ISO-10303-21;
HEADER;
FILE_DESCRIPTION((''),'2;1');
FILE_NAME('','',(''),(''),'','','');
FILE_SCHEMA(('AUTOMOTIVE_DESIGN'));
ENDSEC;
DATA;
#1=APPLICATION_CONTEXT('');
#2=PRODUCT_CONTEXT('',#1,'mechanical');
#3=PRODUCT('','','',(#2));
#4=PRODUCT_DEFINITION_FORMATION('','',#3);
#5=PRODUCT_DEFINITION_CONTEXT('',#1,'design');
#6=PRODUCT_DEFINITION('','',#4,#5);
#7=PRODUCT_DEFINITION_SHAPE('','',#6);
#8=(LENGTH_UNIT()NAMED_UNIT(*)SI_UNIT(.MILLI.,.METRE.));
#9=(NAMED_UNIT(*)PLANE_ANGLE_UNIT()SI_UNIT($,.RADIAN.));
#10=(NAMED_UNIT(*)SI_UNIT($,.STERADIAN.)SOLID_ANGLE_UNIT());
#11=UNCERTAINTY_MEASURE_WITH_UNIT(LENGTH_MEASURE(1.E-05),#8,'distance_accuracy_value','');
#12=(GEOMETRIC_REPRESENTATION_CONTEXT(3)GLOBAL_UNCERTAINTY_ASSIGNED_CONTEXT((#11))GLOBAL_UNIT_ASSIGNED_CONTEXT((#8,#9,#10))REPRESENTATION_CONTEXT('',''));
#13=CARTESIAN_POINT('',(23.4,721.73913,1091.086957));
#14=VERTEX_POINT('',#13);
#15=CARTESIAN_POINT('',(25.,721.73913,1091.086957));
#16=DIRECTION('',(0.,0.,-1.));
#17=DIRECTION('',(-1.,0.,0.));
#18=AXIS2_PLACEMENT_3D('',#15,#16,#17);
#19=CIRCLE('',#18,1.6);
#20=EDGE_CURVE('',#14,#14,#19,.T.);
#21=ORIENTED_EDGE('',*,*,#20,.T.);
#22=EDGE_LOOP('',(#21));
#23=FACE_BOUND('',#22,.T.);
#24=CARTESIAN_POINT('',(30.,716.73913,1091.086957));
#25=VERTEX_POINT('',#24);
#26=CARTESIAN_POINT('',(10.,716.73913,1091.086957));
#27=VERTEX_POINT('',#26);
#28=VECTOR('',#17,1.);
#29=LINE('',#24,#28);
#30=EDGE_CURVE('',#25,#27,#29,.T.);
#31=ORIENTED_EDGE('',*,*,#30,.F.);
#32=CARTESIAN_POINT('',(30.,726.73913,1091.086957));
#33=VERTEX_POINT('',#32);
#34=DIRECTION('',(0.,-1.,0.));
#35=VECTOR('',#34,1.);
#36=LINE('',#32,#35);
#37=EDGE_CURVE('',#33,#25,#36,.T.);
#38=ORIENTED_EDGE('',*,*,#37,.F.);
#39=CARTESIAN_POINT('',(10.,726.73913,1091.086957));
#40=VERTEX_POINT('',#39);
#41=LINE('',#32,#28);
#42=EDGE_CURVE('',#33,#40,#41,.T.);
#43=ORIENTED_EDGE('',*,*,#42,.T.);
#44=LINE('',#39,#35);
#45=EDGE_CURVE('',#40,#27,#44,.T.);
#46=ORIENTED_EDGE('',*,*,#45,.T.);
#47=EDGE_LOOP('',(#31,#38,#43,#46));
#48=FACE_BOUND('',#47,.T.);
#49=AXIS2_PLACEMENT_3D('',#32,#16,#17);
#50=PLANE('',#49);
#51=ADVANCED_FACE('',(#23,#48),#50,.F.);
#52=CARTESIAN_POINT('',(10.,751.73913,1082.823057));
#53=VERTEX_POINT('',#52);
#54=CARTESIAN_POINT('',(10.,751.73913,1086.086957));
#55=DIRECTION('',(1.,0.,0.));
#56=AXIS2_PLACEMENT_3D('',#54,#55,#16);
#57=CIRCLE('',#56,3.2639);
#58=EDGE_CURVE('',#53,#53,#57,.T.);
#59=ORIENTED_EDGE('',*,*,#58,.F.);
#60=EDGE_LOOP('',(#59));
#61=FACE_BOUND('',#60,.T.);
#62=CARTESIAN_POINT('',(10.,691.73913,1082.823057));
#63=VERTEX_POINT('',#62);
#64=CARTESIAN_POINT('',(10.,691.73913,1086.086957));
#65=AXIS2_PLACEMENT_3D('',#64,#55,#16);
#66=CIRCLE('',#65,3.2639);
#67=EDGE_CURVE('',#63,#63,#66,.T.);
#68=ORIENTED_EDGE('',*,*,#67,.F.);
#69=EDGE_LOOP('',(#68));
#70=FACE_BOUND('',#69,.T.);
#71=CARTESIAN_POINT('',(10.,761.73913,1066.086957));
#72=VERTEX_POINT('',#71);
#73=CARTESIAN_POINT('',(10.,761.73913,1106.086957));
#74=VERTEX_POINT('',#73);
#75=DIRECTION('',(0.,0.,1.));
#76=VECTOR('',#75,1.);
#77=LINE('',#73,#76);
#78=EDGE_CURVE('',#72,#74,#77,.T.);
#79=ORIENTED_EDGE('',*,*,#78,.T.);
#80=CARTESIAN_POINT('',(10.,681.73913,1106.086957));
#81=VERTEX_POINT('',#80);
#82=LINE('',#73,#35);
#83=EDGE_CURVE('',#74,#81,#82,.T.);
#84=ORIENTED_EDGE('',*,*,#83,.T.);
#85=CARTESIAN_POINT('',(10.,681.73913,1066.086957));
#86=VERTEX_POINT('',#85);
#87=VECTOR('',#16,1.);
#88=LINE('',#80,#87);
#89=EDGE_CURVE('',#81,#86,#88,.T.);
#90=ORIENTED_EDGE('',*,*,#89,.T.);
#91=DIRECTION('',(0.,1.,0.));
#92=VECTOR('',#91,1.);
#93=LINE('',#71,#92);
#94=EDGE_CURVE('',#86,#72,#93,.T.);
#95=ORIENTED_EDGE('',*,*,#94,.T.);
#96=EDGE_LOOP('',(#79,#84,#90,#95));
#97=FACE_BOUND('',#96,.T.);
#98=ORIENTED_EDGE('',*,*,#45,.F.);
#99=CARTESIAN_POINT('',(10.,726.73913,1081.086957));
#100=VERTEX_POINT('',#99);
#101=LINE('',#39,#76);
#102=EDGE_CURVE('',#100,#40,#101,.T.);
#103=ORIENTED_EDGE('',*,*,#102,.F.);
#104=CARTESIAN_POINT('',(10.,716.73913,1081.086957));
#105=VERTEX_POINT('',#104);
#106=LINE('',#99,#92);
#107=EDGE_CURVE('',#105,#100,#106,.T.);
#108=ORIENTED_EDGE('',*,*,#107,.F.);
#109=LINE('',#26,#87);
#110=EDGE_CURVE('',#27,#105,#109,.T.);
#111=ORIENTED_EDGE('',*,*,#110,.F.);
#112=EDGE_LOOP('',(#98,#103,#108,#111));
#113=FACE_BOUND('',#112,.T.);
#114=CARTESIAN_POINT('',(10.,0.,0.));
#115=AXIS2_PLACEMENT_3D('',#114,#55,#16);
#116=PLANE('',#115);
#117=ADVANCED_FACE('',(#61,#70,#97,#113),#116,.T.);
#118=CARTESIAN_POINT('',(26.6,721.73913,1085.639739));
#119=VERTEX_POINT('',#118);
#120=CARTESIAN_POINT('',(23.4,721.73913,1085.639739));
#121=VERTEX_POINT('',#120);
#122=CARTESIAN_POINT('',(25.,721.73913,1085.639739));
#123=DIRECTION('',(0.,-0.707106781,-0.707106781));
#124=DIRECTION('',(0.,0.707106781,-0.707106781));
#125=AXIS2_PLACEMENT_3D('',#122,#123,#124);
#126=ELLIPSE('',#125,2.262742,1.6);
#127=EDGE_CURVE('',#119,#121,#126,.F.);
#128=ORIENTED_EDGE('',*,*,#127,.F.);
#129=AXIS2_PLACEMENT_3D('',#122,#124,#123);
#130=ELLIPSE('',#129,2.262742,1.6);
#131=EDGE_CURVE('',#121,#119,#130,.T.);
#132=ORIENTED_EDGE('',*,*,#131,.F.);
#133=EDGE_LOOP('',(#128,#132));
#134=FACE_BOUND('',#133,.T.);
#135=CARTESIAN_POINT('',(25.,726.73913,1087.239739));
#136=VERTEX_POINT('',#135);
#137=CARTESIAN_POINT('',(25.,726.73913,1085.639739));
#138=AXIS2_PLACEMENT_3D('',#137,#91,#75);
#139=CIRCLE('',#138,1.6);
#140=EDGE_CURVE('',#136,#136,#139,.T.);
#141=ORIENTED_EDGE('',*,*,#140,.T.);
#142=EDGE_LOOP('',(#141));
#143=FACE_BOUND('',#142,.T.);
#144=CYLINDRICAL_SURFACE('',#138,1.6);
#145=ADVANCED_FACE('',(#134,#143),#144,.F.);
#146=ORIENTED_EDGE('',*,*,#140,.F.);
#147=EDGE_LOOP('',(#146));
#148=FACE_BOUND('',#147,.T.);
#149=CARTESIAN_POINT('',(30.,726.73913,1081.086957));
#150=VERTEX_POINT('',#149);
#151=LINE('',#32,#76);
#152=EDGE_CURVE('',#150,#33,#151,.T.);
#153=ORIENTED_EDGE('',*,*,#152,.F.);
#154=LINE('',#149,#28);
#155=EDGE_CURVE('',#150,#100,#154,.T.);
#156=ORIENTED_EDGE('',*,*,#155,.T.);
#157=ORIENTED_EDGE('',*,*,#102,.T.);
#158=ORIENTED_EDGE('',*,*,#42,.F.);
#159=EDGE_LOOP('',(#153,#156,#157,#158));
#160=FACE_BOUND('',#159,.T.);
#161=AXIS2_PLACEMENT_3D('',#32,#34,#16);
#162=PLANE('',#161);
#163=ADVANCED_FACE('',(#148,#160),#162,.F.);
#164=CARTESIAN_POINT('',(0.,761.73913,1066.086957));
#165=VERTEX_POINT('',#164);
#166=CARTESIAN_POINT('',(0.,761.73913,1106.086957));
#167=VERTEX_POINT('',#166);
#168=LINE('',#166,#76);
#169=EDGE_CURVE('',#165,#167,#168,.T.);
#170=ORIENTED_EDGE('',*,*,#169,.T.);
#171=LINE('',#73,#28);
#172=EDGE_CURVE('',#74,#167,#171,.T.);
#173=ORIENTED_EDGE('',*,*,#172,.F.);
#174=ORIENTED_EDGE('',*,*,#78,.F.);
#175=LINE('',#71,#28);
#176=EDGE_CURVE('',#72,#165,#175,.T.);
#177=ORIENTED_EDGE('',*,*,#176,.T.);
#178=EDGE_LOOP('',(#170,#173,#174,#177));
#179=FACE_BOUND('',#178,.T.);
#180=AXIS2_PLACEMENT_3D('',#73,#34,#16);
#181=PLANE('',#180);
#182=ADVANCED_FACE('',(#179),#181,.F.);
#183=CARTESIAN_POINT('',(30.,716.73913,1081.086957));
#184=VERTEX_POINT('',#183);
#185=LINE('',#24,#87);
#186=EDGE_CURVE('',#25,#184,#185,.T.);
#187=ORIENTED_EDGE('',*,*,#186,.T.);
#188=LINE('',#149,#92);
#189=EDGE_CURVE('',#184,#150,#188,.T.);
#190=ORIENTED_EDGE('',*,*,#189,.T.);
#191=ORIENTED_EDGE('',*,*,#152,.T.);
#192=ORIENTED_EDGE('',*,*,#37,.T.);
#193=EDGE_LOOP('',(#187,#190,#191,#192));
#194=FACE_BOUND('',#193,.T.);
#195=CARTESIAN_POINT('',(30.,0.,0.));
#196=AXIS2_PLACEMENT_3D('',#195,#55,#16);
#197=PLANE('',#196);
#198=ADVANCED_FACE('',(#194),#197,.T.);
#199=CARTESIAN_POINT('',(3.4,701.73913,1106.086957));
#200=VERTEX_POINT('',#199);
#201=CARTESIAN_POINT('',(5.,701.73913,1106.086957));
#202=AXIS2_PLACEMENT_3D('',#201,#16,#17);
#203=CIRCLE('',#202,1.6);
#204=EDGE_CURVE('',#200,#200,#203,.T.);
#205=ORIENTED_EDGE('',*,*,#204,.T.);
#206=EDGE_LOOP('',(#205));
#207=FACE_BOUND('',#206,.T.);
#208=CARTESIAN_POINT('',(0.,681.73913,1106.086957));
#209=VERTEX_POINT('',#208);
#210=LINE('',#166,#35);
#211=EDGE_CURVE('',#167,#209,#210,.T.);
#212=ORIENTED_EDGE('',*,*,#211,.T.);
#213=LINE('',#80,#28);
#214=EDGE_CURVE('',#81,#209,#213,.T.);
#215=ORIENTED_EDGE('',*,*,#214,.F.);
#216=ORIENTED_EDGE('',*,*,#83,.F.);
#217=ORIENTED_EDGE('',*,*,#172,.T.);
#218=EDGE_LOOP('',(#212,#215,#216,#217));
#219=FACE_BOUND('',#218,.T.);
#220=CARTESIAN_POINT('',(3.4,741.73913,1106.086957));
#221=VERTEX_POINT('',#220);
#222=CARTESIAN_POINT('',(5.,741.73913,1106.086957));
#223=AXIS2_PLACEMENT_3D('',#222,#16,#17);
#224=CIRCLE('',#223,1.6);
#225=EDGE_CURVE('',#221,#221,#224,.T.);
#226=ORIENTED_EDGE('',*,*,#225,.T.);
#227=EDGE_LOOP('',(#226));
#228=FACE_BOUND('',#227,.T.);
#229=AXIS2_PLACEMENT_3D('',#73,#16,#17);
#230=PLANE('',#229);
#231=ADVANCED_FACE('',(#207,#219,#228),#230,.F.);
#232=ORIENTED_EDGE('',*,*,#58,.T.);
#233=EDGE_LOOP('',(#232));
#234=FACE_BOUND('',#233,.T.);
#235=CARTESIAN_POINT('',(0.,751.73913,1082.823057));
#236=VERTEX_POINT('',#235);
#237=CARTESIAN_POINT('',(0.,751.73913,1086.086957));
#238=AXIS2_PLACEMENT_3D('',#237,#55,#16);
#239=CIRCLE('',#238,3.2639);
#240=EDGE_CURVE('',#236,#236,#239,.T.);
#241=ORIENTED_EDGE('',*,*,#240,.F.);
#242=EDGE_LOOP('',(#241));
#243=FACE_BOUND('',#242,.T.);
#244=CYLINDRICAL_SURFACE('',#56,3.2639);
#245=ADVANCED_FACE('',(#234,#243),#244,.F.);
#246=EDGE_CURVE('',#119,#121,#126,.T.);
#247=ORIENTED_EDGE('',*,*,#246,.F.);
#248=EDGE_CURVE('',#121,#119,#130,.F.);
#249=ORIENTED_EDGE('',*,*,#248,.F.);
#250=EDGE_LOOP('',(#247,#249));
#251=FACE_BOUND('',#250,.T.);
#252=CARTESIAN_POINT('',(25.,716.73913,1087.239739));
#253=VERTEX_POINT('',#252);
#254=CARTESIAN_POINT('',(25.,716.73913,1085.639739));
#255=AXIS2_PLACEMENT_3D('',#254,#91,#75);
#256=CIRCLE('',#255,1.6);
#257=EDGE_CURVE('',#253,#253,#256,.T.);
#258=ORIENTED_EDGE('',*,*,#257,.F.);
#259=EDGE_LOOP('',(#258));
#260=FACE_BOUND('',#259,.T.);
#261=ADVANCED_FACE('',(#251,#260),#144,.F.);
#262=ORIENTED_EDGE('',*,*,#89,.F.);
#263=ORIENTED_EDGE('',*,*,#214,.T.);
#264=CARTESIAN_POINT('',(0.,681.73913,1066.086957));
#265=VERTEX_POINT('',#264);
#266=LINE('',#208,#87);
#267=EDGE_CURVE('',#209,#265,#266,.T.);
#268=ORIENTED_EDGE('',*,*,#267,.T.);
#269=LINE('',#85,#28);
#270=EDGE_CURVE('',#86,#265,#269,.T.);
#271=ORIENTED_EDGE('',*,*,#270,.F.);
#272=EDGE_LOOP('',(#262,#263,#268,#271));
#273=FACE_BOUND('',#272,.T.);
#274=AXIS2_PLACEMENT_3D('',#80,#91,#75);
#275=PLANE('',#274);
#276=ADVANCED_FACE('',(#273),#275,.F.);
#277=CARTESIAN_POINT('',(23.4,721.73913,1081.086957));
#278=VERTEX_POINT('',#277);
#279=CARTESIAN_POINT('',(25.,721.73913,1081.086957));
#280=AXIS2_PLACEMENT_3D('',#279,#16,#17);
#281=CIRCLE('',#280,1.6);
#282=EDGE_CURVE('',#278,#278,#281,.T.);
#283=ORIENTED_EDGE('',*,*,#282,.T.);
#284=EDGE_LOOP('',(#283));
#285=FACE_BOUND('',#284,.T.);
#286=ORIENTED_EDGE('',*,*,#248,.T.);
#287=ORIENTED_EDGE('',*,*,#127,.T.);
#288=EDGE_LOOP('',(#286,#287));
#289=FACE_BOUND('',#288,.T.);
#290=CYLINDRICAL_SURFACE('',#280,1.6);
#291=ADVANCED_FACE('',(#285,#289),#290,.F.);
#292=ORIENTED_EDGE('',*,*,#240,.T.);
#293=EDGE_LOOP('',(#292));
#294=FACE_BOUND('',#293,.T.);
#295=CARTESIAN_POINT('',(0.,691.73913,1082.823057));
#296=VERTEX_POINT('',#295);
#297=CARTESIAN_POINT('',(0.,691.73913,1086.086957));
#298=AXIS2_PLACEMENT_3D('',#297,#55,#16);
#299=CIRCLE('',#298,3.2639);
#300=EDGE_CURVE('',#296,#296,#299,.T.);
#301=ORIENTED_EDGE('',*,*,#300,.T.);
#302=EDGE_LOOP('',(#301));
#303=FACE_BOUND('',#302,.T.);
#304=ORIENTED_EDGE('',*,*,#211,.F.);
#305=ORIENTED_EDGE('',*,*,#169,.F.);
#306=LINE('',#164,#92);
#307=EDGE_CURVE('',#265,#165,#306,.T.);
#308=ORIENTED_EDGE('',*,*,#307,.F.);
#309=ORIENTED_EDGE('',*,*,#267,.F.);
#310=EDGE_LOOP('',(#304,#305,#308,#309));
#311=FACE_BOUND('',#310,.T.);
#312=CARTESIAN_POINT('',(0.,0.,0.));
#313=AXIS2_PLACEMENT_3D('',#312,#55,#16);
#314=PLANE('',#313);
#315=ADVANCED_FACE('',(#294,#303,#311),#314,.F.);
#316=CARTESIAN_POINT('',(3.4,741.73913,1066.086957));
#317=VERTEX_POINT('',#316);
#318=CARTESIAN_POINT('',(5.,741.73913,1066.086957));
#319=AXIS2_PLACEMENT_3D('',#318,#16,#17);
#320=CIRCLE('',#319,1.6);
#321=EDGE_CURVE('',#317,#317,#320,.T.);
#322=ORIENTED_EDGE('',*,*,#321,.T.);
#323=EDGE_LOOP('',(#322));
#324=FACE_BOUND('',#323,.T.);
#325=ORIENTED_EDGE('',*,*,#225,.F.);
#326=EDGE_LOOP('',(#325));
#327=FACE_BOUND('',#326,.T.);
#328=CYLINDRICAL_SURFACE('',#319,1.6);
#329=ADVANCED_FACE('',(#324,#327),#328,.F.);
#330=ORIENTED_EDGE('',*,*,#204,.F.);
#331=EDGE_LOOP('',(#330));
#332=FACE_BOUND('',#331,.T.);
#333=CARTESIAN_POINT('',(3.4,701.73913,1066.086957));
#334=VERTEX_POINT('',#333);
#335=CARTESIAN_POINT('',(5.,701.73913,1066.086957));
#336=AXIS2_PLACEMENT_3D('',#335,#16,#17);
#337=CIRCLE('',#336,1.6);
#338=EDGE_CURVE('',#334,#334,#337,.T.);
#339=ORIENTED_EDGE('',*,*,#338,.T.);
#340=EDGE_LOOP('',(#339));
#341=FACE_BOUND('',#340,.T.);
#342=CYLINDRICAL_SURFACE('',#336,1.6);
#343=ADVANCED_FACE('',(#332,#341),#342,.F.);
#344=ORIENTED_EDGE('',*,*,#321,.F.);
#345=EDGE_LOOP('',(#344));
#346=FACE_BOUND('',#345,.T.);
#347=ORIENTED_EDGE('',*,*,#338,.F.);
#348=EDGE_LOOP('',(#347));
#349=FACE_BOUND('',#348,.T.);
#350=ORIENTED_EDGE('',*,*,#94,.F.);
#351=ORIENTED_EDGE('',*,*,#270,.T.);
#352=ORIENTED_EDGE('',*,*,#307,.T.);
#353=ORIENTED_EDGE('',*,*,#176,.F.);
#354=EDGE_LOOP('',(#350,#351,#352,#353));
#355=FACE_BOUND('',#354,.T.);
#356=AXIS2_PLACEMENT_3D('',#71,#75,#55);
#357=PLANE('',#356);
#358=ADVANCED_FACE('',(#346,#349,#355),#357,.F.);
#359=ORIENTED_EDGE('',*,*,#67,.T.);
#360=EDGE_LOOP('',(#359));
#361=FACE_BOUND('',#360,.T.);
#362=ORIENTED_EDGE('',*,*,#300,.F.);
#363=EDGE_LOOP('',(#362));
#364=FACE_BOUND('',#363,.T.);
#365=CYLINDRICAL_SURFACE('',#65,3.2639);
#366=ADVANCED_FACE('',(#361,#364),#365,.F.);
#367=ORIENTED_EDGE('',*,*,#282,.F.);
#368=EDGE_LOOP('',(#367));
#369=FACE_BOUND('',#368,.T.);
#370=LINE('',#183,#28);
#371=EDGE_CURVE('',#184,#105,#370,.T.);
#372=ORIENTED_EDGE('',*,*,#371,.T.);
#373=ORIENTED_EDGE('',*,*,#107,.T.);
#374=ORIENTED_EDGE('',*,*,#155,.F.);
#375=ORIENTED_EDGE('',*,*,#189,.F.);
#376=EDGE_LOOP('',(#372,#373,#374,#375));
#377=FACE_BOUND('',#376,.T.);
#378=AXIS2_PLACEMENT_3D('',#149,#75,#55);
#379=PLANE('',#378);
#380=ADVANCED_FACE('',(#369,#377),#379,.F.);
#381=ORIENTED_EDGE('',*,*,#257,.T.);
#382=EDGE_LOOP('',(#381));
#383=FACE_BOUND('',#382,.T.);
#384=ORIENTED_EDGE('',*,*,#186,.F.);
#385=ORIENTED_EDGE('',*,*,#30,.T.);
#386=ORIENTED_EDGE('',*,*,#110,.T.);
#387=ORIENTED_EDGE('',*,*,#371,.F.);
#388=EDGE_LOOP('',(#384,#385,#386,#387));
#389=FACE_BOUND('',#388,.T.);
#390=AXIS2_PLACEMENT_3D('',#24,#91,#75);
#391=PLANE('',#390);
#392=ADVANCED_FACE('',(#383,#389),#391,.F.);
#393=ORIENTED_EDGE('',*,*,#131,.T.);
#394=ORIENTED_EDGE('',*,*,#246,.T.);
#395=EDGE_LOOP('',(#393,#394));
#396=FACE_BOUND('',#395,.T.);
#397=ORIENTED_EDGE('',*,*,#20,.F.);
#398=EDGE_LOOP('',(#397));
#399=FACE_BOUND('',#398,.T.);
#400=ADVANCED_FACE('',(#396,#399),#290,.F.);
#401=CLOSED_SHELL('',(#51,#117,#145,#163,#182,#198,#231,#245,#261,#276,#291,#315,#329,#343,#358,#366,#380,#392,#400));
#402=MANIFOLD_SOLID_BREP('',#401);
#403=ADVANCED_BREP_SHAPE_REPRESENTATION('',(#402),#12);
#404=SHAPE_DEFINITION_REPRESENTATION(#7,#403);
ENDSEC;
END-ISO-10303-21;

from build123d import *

# Parameters (mm, degrees)
SKETCH1_W                      = 40
SKETCH1_H                      = 80
BOSS_EXTRUDE1_DEPTH            = 10
SKETCH2_W                      = 10
SKETCH2_H                      = 10
BOSS_EXTRUDE2_DEPTH            = 20
F_1_4_CLEARANCE_HOLE1_D        = 6.5278
F_1_4_CLEARANCE_HOLE1_DEPTH    = 21
F_1_4_CLEARANCE_HOLE1_TIP      = 1.961148974
M3_CLEARANCE_HOLE3_D           = 3.2
M3_CLEARANCE_HOLE4_D           = 3.2
M3_CLEARANCE_HOLE4_ON_FACE_2_D = 3.2


with BuildPart() as part:
    # Sketch1 → Boss-Extrude1 (new body)
    with BuildSketch(Plane(origin=(0, 0, 0), x_dir=(0, 0, -1), z_dir=(1, 0, 0))):
        with Locations((-1086.086956522, 721.739130435)):
            Rectangle(SKETCH1_W, SKETCH1_H)
    extrude(amount=BOSS_EXTRUDE1_DEPTH)

    # Sketch2 → Boss-Extrude2 (add)
    with BuildSketch(Plane(origin=(10, 0, 0), x_dir=(0, 0, -1), z_dir=(1, 0, 0))):
        with Locations((-1086.086956522, 721.739130435)):
            Rectangle(SKETCH2_W, SKETCH2_H)
    extrude(amount=BOSS_EXTRUDE2_DEPTH)

    # 1/4 Clearance Hole1
    with Locations(Plane(origin=(10, 751.739130435, 1086.086956522), x_dir=(0, 0, 1), z_dir=(1, 0, 0))):
        with Locations((0, 0), (0, 60)):
            Hole(F_1_4_CLEARANCE_HOLE1_D / 2, depth=F_1_4_CLEARANCE_HOLE1_DEPTH)
            with Locations((0, 0, -(F_1_4_CLEARANCE_HOLE1_DEPTH + F_1_4_CLEARANCE_HOLE1_TIP / 2))):  # 118° drill point
                Cone(0, F_1_4_CLEARANCE_HOLE1_D / 2, F_1_4_CLEARANCE_HOLE1_TIP, mode=Mode.SUBTRACT)

    # M3 Clearance Hole3 (through all)
    with Locations(Plane(origin=(5, 701.739130435, 1066.086956522), x_dir=(-1, 0, 0), z_dir=(0, 0, -1))):
        with Locations((0, 0), (0, 40)):
            Hole(M3_CLEARANCE_HOLE3_D / 2)

    # M3 Clearance Hole4 (through all)
    with Locations(Plane(origin=(25, 726.739130435, 1085.639739232), x_dir=(0, 0, 1), z_dir=(0, 1, 0))):
        with Locations((0, 0)):
            Hole(M3_CLEARANCE_HOLE4_D / 2)

    # M3 Clearance Hole4 on face 2 (through all)
    with Locations(Plane(origin=(25, 721.739130435, 1081.086956522), x_dir=(-1, 0, 0), z_dir=(0, 0, -1))):
        with Locations((0, 0)):
            Hole(M3_CLEARANCE_HOLE4_ON_FACE_2_D / 2)


solid = part.part
